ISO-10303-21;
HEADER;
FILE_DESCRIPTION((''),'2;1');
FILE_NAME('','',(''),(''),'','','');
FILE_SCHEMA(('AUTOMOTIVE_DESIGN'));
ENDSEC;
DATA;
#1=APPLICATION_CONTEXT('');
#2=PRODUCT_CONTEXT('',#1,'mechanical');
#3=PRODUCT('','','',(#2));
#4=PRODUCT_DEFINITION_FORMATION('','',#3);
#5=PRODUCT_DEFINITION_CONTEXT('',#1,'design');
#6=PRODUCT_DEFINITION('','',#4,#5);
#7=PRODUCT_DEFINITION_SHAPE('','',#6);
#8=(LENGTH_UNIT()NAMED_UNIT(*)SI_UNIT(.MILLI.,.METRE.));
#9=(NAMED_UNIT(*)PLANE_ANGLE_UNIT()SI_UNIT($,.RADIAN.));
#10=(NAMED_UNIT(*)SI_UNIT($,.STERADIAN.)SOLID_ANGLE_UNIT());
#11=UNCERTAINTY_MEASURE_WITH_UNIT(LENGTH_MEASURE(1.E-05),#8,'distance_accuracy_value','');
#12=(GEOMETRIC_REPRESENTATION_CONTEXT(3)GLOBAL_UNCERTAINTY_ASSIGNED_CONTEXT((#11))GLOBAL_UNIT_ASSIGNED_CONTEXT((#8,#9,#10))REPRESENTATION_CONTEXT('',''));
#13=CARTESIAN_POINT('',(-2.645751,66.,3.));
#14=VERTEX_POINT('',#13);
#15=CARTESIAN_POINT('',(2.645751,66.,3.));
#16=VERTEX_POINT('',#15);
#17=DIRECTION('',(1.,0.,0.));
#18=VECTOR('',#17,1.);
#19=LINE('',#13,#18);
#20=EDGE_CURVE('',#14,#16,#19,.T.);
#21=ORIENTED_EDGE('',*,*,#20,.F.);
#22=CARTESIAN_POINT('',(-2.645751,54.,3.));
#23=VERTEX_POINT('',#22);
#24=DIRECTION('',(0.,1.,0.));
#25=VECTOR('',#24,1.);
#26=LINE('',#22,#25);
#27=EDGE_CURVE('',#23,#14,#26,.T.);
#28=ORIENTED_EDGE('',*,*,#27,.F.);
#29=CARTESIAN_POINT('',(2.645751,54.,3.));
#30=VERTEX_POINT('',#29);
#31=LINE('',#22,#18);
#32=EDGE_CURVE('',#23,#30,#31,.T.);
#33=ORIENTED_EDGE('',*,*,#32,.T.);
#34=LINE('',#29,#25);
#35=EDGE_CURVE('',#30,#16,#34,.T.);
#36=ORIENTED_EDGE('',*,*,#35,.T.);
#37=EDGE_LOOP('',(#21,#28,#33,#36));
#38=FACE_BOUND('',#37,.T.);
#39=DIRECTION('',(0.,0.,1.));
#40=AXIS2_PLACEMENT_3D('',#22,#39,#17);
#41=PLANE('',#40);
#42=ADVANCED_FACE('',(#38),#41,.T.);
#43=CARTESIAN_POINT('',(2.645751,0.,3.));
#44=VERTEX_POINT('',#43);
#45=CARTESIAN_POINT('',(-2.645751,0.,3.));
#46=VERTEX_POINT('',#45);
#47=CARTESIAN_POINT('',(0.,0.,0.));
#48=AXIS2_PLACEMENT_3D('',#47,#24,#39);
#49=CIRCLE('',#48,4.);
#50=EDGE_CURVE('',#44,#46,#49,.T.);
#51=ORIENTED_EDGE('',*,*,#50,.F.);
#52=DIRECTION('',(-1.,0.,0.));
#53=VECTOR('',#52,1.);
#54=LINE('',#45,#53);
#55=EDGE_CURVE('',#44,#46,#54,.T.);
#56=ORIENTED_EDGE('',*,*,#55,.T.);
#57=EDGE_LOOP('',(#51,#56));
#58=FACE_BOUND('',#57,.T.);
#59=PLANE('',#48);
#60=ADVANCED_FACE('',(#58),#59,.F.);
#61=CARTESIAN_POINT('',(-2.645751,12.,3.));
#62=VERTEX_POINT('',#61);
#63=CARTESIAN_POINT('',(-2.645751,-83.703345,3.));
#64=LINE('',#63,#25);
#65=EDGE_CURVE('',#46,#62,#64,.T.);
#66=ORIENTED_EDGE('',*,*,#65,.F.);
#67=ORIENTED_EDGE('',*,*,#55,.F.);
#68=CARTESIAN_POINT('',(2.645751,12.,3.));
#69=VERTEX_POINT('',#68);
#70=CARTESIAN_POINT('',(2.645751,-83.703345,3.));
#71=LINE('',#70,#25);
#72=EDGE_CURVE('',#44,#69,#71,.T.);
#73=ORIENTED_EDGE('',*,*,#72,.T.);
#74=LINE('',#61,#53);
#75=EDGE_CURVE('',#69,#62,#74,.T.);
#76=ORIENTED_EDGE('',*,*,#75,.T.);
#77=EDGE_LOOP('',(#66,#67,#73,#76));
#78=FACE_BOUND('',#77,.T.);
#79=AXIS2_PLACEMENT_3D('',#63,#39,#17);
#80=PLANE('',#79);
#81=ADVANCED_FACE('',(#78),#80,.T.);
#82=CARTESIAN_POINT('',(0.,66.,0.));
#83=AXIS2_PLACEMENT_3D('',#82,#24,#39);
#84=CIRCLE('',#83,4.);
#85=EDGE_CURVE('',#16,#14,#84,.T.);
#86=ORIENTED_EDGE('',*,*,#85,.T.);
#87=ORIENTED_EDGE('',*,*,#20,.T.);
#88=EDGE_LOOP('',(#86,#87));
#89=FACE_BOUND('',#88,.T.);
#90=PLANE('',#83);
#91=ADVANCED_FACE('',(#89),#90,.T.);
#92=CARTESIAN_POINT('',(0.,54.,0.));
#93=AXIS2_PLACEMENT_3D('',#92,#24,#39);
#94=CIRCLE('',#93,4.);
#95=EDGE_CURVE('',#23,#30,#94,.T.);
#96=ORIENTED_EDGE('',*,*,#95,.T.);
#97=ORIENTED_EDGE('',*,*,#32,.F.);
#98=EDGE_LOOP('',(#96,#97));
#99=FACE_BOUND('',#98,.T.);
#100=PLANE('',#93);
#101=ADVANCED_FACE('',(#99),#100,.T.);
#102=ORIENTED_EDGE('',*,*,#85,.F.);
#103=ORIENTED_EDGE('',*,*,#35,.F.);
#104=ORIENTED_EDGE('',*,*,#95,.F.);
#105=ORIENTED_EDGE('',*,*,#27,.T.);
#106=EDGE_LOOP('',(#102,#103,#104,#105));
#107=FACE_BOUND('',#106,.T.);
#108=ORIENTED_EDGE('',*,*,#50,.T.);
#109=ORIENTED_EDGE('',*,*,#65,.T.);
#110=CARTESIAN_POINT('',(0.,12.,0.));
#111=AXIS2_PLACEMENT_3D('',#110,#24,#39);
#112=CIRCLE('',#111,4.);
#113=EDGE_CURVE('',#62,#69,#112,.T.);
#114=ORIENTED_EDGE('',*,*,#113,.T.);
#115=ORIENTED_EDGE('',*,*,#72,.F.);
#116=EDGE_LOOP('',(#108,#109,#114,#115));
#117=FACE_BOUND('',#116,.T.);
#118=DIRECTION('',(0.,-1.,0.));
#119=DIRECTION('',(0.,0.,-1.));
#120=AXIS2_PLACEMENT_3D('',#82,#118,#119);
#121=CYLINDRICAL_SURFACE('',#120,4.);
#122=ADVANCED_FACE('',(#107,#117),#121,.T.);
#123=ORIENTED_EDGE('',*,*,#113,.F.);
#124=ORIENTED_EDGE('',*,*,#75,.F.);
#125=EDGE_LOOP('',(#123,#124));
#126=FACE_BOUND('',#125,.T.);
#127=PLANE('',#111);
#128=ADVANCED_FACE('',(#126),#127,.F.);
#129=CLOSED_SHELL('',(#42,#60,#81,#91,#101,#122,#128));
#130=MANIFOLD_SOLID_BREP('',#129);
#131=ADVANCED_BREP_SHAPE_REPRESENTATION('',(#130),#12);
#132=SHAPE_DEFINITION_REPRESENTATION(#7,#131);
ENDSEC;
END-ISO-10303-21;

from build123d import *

# Parameters (mm, degrees)
SKETCH2_R               = 4
BOSS_EXTRUDE2_DEPTH     = 66
CUT_EXTRUDE1_START      = -12
CUT_EXTRUDE1_DEPTH      = 12
CUT_EXTRUDE3_DEPTH      = 67.241980647
CUT_EXTRUDE3_DEPTH_BACK = 12


with BuildPart() as part:
    # Sketch2 → Boss-Extrude2 (new body)
    with BuildSketch(Plane(origin=(0, 0, 0), x_dir=(1, 0, 0), z_dir=(0, 1, 0))):
        with Locations(Location((0, 0, 0), (0, 0, 270))):
            Circle(SKETCH2_R)
    extrude(amount=BOSS_EXTRUDE2_DEPTH)

    # Sketch3 → Cut-Extrude1 (cut)
    with BuildSketch(Plane(origin=(0, 66, 0), x_dir=(1, 0, 0), z_dir=(0, 1, 0)).offset(CUT_EXTRUDE1_START)):
        with BuildLine():
            Line((-2.645751311, -3), (2.645751311, -3))
            ThreePointArc((2.645751311, -3), (0, -4), (-2.645751311, -3))
        make_face()
    extrude(amount=CUT_EXTRUDE1_DEPTH, mode=Mode.SUBTRACT)

    # Sketch4 → Cut-Extrude3 (cut, two sides: drawn at the far end of the back side and taken through both)
    with BuildSketch(Plane.XZ.offset(-CUT_EXTRUDE3_DEPTH_BACK)):
        with BuildLine():
            ThreePointArc((2.645751311, 3), (0, 4), (-2.645751311, 3))
            Line((-2.645751311, 3), (2.645751311, 3))
        make_face()
    extrude(amount=CUT_EXTRUDE3_DEPTH + CUT_EXTRUDE3_DEPTH_BACK, mode=Mode.SUBTRACT)


solid = part.part
